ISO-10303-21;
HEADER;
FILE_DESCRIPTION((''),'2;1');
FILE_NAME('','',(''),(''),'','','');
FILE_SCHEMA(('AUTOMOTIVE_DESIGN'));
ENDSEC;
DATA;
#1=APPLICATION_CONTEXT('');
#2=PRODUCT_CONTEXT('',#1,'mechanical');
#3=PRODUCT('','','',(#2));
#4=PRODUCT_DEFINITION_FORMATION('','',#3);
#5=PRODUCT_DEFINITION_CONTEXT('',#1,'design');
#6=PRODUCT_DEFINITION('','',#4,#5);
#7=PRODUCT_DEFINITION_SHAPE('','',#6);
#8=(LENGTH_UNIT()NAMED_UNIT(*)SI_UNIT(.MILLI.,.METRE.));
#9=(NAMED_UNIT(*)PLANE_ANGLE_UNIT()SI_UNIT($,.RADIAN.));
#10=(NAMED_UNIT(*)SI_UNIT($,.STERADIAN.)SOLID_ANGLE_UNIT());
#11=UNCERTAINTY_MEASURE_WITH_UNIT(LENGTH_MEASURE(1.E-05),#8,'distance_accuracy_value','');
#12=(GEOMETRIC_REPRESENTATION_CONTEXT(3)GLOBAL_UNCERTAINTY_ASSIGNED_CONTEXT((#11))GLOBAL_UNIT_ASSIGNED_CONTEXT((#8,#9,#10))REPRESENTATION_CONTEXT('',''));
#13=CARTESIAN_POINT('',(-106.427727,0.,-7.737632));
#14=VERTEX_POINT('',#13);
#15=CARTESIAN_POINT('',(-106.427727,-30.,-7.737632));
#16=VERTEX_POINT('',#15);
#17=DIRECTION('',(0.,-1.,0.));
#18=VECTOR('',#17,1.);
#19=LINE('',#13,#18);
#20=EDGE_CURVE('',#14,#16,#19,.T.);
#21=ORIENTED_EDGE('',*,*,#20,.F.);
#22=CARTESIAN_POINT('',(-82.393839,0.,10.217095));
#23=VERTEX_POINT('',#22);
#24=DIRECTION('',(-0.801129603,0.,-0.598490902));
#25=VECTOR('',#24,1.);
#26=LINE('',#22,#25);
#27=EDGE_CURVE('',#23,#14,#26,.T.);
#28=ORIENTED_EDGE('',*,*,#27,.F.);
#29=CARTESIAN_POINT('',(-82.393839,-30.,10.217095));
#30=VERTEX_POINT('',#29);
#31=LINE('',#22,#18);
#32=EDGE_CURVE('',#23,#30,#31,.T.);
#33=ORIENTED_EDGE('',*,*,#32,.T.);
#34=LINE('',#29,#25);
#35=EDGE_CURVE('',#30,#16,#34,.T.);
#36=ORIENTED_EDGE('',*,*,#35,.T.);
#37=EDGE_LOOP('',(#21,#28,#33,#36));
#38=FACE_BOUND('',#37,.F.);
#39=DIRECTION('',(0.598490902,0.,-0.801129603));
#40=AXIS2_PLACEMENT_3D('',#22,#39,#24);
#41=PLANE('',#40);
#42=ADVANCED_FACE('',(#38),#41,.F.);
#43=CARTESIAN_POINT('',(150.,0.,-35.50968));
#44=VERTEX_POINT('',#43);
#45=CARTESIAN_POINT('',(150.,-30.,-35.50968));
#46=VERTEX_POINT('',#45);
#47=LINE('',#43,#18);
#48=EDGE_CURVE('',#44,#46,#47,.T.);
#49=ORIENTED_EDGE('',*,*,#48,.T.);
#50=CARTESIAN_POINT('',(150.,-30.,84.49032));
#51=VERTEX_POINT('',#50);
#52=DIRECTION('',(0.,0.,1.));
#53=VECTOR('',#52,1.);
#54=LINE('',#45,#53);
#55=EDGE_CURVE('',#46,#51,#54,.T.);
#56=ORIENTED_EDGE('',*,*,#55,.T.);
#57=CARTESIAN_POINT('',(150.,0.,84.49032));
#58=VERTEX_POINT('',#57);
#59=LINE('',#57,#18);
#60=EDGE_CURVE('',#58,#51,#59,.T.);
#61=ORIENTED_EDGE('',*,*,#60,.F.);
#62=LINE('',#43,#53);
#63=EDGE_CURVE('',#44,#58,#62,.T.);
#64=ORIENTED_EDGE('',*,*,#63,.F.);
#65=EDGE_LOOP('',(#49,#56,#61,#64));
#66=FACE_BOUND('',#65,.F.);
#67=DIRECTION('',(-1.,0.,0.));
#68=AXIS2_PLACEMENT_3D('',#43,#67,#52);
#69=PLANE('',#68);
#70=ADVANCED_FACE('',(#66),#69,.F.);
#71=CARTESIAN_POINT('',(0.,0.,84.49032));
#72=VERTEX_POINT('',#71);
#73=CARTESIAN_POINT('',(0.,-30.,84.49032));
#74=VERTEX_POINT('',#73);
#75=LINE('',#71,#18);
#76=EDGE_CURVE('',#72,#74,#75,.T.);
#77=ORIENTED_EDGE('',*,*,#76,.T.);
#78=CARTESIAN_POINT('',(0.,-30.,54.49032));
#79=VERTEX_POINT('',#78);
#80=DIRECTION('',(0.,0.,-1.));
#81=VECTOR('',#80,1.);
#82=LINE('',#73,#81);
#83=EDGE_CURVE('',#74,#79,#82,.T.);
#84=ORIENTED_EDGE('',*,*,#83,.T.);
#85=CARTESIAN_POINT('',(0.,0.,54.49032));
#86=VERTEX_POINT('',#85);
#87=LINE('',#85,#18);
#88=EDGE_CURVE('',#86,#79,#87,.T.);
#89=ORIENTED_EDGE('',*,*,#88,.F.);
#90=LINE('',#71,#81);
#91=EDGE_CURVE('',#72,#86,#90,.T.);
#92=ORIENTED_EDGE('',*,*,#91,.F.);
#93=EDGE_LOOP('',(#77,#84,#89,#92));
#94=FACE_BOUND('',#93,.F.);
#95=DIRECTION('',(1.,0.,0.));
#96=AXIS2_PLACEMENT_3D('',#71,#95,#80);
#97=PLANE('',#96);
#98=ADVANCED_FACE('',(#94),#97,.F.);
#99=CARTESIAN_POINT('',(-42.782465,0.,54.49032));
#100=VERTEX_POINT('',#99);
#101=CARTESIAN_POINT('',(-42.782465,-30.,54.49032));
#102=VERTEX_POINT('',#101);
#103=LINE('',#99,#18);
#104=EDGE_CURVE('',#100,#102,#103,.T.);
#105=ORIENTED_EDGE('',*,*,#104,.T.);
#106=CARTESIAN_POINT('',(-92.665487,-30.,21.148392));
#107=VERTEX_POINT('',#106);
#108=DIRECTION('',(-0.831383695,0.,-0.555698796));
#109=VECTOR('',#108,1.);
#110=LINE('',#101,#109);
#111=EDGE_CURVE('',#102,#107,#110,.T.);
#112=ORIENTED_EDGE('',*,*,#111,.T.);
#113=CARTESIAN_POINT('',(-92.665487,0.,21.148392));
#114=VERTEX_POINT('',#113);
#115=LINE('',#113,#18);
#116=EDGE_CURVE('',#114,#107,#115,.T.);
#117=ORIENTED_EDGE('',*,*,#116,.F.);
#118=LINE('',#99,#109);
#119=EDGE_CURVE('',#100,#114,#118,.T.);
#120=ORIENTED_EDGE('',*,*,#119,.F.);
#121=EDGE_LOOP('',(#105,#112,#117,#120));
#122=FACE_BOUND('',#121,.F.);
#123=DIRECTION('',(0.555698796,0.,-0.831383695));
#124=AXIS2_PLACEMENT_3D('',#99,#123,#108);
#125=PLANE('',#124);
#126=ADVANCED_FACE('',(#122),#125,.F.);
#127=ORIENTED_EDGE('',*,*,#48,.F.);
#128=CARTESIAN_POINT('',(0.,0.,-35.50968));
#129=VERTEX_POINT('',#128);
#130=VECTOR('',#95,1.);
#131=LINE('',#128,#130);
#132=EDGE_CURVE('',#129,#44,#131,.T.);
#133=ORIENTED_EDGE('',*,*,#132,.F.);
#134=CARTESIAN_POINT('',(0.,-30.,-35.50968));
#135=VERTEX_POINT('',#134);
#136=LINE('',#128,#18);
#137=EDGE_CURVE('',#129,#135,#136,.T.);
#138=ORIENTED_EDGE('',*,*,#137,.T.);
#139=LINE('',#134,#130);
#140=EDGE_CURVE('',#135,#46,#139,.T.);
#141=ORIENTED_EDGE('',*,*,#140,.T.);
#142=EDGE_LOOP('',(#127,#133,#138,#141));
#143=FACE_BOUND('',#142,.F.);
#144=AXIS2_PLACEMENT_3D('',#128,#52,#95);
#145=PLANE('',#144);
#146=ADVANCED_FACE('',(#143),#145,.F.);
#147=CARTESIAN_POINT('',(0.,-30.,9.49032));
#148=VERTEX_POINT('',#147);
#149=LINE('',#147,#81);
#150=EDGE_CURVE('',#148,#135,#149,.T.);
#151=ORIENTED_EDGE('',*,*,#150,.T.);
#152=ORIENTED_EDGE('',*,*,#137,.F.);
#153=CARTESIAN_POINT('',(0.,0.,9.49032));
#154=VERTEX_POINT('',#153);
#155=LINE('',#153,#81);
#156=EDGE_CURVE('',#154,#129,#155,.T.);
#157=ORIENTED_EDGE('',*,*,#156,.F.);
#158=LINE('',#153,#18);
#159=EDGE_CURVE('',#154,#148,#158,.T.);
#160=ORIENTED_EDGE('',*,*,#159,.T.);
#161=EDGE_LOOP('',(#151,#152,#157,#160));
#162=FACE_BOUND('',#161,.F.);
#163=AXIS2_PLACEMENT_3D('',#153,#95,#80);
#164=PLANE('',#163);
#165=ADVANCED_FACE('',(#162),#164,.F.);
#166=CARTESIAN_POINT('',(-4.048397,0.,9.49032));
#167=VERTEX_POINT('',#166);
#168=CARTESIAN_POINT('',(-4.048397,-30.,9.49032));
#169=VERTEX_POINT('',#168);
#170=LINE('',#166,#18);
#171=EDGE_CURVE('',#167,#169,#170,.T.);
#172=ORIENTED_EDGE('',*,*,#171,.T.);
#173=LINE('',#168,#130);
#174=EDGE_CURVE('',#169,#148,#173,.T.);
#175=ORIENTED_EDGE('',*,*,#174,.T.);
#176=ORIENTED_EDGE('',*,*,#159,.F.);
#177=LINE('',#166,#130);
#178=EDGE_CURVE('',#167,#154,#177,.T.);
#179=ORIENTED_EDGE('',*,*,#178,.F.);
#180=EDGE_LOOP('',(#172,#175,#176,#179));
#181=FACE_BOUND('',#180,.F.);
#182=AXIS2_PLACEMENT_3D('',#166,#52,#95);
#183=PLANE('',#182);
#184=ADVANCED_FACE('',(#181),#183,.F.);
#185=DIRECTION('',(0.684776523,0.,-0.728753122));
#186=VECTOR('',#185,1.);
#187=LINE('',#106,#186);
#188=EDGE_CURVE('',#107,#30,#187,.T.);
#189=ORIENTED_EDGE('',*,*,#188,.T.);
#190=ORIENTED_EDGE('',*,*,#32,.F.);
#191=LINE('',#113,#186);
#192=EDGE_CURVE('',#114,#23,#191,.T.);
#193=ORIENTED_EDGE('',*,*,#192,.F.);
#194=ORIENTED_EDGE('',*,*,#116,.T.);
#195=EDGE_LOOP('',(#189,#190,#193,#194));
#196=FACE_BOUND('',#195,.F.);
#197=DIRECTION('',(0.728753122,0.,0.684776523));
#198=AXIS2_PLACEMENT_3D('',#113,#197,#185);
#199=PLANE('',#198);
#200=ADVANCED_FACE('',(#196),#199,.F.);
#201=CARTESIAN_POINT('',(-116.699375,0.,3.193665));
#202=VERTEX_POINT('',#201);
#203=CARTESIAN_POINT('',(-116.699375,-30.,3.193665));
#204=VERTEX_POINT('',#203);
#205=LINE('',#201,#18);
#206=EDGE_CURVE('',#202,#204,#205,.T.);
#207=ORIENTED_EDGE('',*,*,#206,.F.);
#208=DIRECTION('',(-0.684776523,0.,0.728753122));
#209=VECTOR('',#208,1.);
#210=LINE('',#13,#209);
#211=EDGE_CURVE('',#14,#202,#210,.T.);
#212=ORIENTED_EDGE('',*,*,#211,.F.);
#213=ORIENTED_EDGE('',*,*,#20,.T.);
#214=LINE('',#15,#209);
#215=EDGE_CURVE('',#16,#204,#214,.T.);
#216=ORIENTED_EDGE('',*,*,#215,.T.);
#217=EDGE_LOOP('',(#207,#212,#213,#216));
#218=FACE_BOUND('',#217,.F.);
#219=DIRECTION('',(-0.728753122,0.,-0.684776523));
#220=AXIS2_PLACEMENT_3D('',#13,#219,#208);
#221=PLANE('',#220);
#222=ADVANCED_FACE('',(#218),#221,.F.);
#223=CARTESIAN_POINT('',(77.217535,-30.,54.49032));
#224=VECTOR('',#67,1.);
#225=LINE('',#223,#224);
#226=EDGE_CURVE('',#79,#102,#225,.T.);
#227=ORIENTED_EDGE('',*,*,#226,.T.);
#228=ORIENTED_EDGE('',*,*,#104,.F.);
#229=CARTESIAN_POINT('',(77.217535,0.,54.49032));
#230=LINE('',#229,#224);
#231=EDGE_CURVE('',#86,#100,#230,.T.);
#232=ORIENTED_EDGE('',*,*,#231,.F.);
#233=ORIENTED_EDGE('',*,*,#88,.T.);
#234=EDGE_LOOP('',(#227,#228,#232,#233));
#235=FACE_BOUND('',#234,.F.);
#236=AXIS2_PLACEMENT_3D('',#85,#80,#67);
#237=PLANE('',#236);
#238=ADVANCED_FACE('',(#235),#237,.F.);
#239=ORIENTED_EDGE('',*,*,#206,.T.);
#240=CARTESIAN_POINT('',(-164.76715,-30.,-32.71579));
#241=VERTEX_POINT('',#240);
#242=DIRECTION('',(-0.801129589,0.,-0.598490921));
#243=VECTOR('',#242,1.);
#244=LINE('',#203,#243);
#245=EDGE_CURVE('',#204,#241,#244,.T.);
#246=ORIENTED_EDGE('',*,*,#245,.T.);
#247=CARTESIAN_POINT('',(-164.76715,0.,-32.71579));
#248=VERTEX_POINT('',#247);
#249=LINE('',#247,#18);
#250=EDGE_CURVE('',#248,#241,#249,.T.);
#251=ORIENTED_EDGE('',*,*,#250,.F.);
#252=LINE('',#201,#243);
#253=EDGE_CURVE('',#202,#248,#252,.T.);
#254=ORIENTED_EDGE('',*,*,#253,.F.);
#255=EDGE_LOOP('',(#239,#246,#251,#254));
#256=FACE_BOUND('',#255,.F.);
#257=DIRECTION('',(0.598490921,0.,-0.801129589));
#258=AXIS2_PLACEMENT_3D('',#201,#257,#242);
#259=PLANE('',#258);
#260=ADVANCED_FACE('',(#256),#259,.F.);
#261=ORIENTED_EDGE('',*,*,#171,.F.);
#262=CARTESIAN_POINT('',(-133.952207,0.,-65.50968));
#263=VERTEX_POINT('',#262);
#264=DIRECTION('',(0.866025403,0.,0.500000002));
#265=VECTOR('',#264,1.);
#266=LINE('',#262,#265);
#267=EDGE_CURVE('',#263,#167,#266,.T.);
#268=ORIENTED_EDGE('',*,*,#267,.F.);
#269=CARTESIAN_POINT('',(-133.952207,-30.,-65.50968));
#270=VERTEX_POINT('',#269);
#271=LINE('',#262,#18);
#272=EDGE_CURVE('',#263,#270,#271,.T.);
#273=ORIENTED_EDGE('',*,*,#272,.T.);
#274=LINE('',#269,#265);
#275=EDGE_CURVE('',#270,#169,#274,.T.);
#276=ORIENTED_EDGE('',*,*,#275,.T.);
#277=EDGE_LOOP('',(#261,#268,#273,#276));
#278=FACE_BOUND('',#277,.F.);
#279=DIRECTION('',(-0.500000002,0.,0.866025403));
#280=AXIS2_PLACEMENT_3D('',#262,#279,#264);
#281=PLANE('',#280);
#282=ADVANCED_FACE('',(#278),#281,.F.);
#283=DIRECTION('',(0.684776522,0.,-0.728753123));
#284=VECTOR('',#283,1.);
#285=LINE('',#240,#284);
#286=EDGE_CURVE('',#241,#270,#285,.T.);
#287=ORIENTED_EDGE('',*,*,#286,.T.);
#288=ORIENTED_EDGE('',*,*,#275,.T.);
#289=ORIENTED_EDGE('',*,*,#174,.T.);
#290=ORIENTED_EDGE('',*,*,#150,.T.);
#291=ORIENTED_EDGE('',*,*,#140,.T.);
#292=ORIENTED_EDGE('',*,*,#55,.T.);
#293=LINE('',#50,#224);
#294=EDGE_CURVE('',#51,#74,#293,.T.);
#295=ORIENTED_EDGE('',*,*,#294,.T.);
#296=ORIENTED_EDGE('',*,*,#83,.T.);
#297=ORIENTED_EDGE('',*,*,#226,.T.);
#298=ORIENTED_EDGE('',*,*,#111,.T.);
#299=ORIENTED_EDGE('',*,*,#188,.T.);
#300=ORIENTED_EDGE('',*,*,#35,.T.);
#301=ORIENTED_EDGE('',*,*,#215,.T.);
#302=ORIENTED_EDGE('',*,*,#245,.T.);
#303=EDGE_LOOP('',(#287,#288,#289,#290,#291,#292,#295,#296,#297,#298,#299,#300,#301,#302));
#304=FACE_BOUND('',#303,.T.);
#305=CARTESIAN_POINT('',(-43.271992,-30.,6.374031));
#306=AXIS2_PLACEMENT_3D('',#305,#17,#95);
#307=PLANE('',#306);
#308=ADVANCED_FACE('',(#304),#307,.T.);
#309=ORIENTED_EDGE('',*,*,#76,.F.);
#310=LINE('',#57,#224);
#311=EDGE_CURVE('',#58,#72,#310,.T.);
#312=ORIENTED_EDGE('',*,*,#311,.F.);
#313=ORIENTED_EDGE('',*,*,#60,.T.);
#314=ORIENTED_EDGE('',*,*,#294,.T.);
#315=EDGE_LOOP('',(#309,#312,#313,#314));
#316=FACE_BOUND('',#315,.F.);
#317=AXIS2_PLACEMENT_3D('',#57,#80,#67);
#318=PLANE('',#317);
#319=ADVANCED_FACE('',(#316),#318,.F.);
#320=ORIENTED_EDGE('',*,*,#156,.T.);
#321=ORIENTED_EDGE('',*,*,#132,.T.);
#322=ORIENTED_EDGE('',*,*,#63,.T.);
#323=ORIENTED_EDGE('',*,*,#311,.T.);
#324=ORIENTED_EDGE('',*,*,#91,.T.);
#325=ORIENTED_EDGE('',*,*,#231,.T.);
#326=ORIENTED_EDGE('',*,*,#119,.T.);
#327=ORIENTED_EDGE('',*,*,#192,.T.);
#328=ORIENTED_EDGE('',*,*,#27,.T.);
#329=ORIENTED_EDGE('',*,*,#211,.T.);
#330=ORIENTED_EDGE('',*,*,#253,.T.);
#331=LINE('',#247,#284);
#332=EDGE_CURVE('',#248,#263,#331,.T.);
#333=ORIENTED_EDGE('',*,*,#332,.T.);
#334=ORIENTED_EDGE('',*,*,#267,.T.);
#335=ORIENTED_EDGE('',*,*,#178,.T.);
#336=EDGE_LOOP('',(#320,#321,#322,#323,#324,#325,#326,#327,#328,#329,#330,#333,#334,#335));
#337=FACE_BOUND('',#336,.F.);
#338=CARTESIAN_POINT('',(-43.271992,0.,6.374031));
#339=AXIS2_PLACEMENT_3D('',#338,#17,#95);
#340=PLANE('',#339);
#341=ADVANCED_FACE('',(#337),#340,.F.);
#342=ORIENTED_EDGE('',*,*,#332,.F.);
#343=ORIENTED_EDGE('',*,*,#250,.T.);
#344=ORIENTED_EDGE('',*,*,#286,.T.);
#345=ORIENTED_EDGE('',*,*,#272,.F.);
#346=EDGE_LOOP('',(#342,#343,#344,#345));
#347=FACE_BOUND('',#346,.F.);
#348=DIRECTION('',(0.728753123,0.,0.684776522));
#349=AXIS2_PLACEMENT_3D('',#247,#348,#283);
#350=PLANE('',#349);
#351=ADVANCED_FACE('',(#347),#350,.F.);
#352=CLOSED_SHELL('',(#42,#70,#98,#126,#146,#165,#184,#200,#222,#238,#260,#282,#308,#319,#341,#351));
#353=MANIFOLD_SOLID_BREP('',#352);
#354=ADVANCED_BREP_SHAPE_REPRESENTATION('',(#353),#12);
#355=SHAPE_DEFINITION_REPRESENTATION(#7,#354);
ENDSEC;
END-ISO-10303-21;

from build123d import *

# Parameters (mm, degrees)
F1_DEPTH = 30
F2_DEPTH = 30


with BuildPart() as f1:
    # F0 (on Front) → F1 (new body)
    with BuildSketch(Plane.XZ):
        Polygon((77.217535, 9.49032), (0, 9.49032), (0, -35.50968), (150, -35.50968), (150, 84.49032), (0, 84.49032), (0, 54.49032), (77.217535, 54.49032), align=None)
    extrude(amount=F1_DEPTH)

    # F0 (on Front) → F2 (join)
    with BuildSketch(Plane.XZ):
        Polygon((-116.699375, 3.193665), (-164.76715, -32.71579), (-133.952207, -65.50968), (-4.048397, 9.49032), (0, 9.49032), (77.217535, 9.49032), (77.217535, 54.49032), (0, 54.49032), (-42.782465, 54.49032), (-92.665487, 21.148392), (-82.393839, 10.217095), (-106.427727, -7.737632), align=None)
        Polygon((77.217535, 9.49032), (0, 9.49032), (0, -35.50968), (150, -35.50968), (150, 84.49032), (0, 84.49032), (0, 54.49032), (77.217535, 54.49032), align=None)
    extrude(amount=F2_DEPTH)


solid = f1.part
